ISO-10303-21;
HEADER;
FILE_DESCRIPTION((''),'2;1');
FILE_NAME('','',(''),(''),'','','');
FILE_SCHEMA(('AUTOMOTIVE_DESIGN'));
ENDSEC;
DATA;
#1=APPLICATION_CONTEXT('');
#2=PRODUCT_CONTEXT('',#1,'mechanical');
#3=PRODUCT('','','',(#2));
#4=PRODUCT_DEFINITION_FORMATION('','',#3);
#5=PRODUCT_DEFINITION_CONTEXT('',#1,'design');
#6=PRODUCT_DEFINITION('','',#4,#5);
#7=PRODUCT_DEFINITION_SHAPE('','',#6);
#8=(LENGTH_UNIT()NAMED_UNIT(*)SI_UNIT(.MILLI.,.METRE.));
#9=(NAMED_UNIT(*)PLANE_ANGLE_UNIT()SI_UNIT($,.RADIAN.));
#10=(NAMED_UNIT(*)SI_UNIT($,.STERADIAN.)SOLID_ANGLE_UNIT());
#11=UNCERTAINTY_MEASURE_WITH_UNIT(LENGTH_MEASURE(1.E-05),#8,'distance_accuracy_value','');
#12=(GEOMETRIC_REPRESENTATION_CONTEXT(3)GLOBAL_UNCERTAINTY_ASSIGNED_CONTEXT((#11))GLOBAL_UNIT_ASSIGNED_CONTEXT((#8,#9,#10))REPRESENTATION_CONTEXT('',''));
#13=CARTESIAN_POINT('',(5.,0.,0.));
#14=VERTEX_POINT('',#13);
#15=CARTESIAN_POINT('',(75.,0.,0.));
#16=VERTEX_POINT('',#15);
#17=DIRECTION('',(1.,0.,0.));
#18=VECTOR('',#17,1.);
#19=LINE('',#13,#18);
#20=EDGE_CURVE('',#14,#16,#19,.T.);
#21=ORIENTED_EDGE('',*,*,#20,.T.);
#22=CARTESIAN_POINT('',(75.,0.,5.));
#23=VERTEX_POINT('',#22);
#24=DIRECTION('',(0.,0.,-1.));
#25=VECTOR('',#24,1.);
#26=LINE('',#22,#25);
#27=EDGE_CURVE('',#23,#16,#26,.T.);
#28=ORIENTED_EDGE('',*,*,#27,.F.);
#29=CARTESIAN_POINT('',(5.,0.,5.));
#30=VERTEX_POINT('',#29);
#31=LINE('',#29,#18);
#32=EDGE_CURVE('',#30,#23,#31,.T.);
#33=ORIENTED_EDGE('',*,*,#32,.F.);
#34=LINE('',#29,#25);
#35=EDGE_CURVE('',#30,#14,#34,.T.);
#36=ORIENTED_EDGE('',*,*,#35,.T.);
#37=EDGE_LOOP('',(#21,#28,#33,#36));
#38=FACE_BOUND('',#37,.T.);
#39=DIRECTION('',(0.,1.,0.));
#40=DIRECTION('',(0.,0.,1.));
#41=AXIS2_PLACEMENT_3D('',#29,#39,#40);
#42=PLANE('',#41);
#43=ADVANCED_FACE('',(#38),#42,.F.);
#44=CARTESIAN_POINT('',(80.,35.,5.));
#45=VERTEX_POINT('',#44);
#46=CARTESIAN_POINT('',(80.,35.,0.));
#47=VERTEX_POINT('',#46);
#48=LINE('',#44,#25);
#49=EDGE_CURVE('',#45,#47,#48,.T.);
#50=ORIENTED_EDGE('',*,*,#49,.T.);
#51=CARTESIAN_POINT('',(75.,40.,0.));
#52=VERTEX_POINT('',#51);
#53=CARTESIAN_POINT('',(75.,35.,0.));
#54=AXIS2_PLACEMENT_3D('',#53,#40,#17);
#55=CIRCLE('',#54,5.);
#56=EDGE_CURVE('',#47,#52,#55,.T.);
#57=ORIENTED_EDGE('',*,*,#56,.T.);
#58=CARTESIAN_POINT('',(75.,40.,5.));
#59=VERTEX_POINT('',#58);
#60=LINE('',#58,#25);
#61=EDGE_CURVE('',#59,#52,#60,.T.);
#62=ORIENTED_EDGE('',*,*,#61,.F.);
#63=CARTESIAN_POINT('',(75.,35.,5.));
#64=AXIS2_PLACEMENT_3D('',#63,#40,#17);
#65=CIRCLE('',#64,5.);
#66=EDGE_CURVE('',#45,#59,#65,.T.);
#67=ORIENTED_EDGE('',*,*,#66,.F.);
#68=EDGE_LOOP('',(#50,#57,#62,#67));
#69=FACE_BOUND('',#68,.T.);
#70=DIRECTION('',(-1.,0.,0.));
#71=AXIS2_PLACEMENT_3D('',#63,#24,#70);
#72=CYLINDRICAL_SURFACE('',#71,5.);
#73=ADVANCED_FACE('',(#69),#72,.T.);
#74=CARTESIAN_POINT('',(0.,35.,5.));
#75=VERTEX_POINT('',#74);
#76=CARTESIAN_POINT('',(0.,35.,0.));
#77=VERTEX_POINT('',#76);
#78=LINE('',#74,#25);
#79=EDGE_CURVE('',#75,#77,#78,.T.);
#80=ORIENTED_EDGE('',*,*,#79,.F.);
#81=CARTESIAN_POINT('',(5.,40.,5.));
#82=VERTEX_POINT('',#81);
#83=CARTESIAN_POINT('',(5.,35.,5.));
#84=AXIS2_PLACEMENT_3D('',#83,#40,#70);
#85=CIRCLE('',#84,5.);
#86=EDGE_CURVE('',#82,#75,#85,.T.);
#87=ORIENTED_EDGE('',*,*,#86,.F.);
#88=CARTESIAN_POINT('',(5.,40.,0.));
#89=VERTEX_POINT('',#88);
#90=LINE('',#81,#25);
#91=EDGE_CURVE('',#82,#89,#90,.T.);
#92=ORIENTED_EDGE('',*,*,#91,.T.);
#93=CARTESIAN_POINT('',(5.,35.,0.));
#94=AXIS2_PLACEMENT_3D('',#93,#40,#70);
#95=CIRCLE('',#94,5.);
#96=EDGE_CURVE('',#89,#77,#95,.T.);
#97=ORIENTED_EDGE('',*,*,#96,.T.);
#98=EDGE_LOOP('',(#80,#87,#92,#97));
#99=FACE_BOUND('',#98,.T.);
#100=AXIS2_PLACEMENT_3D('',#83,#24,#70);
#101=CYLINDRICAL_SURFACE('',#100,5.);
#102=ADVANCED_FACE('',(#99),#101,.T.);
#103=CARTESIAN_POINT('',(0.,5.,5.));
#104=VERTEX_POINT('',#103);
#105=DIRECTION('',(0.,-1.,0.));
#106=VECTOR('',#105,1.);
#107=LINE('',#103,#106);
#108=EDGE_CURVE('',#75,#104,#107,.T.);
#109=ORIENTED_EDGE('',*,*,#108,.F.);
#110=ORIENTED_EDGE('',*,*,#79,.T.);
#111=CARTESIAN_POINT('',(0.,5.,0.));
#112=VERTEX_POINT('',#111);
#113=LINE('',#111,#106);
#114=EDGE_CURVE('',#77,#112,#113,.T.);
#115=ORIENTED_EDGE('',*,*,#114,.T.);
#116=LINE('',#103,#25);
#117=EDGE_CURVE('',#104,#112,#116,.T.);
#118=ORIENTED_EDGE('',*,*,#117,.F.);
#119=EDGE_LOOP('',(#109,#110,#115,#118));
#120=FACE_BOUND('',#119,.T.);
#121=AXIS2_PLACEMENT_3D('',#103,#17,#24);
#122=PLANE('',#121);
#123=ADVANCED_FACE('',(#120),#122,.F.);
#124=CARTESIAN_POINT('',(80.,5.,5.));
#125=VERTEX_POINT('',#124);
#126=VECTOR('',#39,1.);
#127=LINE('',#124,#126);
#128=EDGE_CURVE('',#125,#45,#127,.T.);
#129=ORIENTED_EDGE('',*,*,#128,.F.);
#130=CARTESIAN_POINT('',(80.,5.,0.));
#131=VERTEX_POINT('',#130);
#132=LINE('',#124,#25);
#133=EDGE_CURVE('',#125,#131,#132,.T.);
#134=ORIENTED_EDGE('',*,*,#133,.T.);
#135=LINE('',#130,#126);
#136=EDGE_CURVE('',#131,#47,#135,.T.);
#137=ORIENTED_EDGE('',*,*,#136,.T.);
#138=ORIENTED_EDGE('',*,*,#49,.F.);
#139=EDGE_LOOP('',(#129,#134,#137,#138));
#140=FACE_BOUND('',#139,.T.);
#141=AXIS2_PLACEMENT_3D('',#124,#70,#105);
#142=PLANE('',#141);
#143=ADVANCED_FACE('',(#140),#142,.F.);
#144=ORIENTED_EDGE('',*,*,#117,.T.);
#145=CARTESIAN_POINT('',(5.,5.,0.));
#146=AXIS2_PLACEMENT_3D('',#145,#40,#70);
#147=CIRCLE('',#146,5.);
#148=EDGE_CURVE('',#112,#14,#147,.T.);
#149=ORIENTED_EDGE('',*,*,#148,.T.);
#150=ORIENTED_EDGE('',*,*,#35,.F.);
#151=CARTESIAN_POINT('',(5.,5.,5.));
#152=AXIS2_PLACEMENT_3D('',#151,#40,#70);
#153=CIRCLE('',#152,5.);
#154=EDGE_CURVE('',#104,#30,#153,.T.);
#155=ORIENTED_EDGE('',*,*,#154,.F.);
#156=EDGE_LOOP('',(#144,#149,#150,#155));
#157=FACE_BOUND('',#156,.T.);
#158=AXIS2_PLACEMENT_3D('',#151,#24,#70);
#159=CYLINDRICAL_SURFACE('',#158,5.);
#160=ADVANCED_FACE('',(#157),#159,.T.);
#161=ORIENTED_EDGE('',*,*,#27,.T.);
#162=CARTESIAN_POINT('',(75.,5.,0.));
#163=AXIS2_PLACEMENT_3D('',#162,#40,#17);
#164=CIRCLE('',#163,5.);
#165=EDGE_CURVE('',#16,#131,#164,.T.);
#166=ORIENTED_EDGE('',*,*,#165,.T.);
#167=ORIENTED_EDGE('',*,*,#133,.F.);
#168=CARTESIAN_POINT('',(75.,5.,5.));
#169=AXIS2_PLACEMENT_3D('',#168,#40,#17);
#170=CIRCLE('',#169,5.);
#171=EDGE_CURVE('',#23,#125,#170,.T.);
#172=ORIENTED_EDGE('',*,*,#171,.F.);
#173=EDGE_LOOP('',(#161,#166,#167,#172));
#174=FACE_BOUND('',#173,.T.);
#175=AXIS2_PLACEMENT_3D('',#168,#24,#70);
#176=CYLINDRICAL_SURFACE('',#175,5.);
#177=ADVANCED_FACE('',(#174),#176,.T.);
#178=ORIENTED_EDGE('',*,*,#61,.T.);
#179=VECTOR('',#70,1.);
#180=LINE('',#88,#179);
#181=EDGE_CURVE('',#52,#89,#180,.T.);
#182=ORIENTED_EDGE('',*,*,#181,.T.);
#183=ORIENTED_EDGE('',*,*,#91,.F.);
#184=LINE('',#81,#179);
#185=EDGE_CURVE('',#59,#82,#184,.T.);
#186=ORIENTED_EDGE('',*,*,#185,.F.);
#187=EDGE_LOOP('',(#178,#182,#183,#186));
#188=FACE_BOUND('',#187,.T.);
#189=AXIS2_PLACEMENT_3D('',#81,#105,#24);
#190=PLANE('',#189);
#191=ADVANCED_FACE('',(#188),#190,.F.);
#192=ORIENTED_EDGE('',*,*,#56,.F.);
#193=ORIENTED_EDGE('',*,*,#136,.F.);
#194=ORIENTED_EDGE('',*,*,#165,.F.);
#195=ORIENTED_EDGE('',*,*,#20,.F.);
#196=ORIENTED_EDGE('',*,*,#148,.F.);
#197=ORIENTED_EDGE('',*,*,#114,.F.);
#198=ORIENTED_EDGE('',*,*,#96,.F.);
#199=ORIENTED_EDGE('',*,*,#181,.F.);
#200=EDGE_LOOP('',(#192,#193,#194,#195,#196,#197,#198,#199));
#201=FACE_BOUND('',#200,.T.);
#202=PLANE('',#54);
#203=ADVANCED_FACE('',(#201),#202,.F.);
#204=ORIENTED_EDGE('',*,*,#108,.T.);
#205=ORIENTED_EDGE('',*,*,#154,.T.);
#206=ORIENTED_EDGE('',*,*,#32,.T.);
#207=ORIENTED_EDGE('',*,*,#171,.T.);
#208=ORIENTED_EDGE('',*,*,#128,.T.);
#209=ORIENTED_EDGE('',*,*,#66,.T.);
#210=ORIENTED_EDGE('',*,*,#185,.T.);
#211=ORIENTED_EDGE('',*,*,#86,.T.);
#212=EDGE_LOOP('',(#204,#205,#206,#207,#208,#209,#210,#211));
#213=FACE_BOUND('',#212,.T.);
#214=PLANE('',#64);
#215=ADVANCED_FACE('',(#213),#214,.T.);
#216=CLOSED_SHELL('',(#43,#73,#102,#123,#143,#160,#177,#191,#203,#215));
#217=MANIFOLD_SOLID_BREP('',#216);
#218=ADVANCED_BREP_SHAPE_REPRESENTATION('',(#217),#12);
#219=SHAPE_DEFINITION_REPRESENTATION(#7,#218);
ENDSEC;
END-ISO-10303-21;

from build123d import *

# Parameters (mm, degrees)
EXTRUDE_1_DEPTH = 5


with BuildPart() as part:
    # 草圖1 → 填料-伸長1 (new body)
    with BuildSketch(Plane.XY):
        with BuildLine():
            Line((5, 0), (75, 0))
            ThreePointArc((75, 0), (78.535533906, 1.464466094), (80, 5))
            Line((80, 5), (80, 35))
            ThreePointArc((80, 35), (78.535533906, 38.535533906), (75, 40))
            Line((75, 40), (5, 40))
            ThreePointArc((5, 40), (1.464466094, 38.535533906), (0, 35))
            Line((0, 35), (0, 5))
            ThreePointArc((0, 5), (1.464466094, 1.464466094), (5, 0))
        make_face()
    extrude(amount=EXTRUDE_1_DEPTH)


solid = part.part
